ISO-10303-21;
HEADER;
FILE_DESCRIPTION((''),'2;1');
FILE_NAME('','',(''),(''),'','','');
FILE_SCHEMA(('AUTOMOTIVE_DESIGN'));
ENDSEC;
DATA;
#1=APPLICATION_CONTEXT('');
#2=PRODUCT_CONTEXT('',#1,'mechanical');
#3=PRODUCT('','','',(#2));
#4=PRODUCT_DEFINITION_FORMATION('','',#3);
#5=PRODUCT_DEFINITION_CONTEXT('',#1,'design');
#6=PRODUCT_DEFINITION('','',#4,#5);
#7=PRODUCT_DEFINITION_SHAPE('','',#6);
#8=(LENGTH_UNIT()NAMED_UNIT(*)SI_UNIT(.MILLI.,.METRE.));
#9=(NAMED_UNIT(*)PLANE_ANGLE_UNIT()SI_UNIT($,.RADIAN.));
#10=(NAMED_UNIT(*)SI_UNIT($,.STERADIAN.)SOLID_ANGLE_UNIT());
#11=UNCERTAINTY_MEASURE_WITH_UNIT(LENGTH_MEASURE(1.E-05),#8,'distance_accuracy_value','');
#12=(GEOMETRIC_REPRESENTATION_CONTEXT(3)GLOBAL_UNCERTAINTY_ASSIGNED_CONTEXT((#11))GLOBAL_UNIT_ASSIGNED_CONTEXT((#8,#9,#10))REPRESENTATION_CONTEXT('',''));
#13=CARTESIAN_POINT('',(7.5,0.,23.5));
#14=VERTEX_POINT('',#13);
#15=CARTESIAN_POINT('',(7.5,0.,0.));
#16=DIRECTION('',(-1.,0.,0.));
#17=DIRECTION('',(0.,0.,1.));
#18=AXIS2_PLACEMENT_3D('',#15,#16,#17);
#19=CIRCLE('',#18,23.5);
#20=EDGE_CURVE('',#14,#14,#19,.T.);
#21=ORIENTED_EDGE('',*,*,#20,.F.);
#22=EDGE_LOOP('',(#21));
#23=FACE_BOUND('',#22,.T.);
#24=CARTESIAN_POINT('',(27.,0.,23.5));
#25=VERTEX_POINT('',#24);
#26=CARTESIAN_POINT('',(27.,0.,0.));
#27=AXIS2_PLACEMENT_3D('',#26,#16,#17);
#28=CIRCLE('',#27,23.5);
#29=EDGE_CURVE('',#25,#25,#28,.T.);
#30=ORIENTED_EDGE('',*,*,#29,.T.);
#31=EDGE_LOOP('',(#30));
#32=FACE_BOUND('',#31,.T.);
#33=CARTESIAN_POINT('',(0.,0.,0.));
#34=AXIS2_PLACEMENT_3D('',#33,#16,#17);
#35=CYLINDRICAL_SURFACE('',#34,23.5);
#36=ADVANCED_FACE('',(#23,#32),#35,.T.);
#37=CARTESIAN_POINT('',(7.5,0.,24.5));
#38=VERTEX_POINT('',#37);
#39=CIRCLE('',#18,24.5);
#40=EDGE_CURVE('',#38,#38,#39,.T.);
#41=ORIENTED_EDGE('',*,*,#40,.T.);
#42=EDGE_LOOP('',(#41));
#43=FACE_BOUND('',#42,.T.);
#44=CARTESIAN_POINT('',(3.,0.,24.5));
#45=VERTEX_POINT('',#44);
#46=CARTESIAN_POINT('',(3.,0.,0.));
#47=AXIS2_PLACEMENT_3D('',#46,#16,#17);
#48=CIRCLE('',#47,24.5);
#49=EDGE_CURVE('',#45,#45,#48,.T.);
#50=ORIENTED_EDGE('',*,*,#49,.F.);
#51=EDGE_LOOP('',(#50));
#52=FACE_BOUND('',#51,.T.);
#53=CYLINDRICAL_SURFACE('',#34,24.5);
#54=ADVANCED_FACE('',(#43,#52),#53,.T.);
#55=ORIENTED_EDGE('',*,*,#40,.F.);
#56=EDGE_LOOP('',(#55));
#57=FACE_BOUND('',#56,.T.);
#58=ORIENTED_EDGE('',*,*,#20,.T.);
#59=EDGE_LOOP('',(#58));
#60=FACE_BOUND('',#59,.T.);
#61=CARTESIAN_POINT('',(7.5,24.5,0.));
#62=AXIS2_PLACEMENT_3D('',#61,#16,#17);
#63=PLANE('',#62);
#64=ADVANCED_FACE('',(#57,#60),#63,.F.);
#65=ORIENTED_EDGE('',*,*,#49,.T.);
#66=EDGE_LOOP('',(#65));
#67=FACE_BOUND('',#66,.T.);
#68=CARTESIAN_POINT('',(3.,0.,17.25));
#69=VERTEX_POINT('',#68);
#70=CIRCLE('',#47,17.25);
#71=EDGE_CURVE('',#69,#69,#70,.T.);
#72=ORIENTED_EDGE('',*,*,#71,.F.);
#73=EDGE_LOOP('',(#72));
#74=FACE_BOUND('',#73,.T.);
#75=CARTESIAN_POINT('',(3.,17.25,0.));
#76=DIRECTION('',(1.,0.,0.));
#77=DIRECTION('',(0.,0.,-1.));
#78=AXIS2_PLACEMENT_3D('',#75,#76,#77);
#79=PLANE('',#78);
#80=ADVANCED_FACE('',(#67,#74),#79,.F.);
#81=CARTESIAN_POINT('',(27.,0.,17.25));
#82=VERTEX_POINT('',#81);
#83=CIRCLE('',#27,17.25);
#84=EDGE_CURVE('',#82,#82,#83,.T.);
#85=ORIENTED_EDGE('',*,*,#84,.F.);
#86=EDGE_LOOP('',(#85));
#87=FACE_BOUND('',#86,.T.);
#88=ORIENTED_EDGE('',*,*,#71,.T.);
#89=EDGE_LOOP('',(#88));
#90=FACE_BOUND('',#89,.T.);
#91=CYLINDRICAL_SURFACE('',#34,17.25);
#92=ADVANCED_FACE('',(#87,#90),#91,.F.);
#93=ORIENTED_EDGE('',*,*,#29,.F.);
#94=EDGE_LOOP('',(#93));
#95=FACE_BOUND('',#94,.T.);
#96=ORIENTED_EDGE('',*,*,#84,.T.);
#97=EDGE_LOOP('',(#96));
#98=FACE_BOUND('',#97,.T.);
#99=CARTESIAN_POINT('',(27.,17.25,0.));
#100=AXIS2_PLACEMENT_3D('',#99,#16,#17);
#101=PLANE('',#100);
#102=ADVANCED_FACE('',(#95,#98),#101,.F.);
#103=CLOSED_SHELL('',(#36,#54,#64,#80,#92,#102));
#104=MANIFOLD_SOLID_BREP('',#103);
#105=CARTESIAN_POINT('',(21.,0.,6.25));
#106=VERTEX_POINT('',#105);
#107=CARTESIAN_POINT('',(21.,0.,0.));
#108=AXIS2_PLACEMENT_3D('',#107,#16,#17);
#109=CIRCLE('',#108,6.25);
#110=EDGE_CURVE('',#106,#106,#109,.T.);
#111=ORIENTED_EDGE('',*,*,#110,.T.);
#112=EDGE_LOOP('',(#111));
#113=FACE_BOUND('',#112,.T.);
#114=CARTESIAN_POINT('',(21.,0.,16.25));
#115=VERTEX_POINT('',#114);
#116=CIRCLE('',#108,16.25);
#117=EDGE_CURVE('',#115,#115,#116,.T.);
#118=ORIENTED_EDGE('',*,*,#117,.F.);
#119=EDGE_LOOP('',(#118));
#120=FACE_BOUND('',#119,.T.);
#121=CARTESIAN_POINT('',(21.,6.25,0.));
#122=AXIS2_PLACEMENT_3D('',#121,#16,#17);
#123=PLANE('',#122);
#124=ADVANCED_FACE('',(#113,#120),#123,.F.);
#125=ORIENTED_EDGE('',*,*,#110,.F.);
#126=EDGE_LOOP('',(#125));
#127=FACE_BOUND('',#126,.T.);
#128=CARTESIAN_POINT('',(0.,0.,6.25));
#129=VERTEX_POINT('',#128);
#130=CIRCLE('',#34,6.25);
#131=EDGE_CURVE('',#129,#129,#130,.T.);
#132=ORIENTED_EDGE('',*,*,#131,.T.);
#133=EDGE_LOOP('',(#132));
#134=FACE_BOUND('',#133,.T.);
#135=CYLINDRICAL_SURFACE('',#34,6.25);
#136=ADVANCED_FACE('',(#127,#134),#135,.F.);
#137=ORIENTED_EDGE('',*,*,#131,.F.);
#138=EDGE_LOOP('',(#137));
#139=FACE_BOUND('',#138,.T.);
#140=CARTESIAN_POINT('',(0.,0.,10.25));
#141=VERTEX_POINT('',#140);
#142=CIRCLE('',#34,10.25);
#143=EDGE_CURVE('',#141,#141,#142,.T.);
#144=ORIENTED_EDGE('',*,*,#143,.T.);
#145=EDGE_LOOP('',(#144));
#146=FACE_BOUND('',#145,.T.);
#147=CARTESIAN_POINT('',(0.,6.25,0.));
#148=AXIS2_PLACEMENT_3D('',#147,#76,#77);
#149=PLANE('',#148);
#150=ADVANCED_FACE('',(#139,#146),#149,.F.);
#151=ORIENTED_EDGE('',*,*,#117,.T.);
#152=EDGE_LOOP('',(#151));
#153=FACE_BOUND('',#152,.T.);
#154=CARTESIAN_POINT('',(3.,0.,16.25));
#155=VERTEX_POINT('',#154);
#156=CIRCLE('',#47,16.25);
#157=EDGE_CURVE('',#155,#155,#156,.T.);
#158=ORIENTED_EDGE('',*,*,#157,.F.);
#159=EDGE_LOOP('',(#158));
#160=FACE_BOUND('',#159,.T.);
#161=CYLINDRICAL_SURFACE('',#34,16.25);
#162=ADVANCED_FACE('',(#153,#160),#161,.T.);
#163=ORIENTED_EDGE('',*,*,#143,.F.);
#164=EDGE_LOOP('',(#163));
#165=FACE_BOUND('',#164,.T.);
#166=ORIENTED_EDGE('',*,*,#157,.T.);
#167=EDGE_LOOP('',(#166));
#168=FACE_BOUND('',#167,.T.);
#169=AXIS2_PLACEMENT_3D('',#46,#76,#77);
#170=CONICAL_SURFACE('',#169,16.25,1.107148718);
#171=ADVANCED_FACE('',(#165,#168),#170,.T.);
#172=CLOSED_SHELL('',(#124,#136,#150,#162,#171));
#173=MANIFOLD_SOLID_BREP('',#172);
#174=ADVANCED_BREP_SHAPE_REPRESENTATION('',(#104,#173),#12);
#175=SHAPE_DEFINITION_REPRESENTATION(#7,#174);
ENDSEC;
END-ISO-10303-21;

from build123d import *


with BuildPart() as part:
    # Çizim1 → Döndür1 (revolve)
    with BuildSketch(Plane.XY, mode=Mode.PRIVATE) as d_nd_r1_sk:
        Polygon((0, 6.25), (21, 6.25), (21, 16.25), (3, 16.25), (0, 10.25), align=None)
        Polygon((7.5, 24.5), (7.5, 23.5), (27, 23.5), (27, 17.25), (3, 17.25), (3, 24.5), align=None)
    revolve(d_nd_r1_sk.sketch.rotate(Axis((0, 0, 0), (1, 0, 0)), 90), axis=Axis((0, 0, 0), (1, 0, 0)))


solid = part.part
